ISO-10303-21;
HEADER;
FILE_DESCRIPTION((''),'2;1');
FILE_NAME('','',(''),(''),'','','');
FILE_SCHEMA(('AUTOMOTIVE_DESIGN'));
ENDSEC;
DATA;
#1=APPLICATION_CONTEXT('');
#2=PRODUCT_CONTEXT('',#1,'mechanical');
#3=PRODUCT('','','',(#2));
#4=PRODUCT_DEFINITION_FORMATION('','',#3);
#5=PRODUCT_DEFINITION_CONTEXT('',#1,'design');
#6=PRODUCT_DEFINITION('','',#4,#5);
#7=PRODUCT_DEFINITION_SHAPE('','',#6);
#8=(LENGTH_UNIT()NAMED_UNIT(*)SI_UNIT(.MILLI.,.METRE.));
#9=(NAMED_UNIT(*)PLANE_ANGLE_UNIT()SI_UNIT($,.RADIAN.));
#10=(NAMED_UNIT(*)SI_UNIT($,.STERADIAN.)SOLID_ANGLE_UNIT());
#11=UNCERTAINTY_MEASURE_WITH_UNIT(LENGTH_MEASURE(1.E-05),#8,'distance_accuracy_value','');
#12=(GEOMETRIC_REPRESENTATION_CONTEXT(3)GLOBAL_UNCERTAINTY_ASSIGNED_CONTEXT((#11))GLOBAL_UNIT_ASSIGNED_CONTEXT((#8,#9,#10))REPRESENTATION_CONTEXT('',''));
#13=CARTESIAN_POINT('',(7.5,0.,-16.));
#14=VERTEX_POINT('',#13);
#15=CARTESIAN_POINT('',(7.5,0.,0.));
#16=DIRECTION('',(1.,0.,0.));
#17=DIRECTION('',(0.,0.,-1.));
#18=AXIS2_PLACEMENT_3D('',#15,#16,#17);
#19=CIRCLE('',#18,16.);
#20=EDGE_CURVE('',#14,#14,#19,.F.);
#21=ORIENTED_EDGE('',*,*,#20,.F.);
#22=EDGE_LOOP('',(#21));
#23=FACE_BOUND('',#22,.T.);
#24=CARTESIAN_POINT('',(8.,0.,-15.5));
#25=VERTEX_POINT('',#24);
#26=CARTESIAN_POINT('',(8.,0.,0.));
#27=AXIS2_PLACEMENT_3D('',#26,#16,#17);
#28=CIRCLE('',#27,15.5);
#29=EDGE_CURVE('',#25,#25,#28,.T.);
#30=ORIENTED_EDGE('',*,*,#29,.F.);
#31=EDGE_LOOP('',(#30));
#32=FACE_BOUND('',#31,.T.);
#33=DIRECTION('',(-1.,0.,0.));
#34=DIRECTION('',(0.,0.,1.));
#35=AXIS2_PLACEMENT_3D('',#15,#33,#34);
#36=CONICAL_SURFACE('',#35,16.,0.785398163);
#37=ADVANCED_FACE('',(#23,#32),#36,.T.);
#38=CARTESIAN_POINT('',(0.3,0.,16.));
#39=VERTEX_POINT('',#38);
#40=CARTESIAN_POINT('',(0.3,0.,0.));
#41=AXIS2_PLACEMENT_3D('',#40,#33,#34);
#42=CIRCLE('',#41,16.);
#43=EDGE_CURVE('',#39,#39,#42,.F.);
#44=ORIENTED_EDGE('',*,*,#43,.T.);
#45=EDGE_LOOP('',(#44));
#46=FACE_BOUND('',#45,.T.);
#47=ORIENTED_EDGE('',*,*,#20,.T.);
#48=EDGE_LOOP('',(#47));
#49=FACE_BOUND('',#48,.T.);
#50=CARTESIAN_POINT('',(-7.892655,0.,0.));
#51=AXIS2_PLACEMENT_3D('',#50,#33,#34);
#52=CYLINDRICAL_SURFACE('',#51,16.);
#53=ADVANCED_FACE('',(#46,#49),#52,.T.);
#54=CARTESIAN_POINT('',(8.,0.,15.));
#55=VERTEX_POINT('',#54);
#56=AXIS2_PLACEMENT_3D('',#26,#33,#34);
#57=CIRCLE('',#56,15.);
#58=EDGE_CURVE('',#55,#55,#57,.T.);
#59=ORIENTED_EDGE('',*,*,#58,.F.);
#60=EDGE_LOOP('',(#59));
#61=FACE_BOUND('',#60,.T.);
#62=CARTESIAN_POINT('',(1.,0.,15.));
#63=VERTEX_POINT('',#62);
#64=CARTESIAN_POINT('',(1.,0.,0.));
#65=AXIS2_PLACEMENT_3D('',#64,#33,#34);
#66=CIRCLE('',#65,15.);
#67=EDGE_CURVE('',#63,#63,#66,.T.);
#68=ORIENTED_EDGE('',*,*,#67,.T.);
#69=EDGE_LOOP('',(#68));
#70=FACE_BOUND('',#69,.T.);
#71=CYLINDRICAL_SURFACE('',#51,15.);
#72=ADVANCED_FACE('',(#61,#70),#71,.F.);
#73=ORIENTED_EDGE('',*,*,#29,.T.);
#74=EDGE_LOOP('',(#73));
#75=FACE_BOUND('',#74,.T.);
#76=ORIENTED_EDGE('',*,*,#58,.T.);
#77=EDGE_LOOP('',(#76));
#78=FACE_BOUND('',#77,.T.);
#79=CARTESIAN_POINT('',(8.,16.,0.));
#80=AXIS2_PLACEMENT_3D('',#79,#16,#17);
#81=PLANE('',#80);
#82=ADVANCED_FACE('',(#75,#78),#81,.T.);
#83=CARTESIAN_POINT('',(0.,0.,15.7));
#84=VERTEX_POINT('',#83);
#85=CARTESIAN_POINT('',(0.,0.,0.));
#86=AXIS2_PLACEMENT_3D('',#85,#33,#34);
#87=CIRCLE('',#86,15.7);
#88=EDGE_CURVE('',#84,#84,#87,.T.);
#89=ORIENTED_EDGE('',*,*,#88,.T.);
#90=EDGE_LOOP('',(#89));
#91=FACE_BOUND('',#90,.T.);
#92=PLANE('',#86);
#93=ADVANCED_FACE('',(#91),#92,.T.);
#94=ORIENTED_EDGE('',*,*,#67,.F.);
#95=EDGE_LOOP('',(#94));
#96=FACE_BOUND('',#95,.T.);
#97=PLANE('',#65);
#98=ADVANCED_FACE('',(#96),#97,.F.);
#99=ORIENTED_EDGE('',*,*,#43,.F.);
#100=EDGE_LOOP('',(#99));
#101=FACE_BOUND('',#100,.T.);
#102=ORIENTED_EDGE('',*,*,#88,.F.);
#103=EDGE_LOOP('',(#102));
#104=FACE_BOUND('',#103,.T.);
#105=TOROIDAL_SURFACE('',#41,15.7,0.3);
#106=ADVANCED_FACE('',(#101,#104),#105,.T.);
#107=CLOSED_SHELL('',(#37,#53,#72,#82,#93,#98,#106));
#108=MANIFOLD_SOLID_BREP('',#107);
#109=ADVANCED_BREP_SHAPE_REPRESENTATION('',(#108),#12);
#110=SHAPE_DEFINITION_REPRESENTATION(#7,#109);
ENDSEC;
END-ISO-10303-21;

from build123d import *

# Parameters (mm, degrees)
CHANFREIN1_SIZE = 0.5
CONG_1_R        = 0.3


with BuildPart() as part:
    # Esquisse1 → Révol.-Mince2 (revolve)
    with BuildSketch(Plane.XY, mode=Mode.PRIVATE) as r_vol_mince2_sk:
        Polygon((0, 0), (0, 16), (8, 16), (8, 15), (1, 15), (1, 0), align=None)
    revolve(r_vol_mince2_sk.sketch.rotate(Axis((-7.892655367, 0, 0), (1, 0, 0)), 90), axis=Axis((-7.892655367, 0, 0), (1, 0, 0)))

    # Chanfrein1
    chanfrein1_edges = [part.edges().sort_by_distance(p)[0] for p in [
        (8, 0, -16),
    ]]
    chamfer(chanfrein1_edges, length=CHANFREIN1_SIZE)

    # Congé1
    cong_1_edges = [part.edges().sort_by_distance(p)[0] for p in [
        (0, 0, -16),
    ]]
    fillet(cong_1_edges, radius=CONG_1_R)


solid = part.part
